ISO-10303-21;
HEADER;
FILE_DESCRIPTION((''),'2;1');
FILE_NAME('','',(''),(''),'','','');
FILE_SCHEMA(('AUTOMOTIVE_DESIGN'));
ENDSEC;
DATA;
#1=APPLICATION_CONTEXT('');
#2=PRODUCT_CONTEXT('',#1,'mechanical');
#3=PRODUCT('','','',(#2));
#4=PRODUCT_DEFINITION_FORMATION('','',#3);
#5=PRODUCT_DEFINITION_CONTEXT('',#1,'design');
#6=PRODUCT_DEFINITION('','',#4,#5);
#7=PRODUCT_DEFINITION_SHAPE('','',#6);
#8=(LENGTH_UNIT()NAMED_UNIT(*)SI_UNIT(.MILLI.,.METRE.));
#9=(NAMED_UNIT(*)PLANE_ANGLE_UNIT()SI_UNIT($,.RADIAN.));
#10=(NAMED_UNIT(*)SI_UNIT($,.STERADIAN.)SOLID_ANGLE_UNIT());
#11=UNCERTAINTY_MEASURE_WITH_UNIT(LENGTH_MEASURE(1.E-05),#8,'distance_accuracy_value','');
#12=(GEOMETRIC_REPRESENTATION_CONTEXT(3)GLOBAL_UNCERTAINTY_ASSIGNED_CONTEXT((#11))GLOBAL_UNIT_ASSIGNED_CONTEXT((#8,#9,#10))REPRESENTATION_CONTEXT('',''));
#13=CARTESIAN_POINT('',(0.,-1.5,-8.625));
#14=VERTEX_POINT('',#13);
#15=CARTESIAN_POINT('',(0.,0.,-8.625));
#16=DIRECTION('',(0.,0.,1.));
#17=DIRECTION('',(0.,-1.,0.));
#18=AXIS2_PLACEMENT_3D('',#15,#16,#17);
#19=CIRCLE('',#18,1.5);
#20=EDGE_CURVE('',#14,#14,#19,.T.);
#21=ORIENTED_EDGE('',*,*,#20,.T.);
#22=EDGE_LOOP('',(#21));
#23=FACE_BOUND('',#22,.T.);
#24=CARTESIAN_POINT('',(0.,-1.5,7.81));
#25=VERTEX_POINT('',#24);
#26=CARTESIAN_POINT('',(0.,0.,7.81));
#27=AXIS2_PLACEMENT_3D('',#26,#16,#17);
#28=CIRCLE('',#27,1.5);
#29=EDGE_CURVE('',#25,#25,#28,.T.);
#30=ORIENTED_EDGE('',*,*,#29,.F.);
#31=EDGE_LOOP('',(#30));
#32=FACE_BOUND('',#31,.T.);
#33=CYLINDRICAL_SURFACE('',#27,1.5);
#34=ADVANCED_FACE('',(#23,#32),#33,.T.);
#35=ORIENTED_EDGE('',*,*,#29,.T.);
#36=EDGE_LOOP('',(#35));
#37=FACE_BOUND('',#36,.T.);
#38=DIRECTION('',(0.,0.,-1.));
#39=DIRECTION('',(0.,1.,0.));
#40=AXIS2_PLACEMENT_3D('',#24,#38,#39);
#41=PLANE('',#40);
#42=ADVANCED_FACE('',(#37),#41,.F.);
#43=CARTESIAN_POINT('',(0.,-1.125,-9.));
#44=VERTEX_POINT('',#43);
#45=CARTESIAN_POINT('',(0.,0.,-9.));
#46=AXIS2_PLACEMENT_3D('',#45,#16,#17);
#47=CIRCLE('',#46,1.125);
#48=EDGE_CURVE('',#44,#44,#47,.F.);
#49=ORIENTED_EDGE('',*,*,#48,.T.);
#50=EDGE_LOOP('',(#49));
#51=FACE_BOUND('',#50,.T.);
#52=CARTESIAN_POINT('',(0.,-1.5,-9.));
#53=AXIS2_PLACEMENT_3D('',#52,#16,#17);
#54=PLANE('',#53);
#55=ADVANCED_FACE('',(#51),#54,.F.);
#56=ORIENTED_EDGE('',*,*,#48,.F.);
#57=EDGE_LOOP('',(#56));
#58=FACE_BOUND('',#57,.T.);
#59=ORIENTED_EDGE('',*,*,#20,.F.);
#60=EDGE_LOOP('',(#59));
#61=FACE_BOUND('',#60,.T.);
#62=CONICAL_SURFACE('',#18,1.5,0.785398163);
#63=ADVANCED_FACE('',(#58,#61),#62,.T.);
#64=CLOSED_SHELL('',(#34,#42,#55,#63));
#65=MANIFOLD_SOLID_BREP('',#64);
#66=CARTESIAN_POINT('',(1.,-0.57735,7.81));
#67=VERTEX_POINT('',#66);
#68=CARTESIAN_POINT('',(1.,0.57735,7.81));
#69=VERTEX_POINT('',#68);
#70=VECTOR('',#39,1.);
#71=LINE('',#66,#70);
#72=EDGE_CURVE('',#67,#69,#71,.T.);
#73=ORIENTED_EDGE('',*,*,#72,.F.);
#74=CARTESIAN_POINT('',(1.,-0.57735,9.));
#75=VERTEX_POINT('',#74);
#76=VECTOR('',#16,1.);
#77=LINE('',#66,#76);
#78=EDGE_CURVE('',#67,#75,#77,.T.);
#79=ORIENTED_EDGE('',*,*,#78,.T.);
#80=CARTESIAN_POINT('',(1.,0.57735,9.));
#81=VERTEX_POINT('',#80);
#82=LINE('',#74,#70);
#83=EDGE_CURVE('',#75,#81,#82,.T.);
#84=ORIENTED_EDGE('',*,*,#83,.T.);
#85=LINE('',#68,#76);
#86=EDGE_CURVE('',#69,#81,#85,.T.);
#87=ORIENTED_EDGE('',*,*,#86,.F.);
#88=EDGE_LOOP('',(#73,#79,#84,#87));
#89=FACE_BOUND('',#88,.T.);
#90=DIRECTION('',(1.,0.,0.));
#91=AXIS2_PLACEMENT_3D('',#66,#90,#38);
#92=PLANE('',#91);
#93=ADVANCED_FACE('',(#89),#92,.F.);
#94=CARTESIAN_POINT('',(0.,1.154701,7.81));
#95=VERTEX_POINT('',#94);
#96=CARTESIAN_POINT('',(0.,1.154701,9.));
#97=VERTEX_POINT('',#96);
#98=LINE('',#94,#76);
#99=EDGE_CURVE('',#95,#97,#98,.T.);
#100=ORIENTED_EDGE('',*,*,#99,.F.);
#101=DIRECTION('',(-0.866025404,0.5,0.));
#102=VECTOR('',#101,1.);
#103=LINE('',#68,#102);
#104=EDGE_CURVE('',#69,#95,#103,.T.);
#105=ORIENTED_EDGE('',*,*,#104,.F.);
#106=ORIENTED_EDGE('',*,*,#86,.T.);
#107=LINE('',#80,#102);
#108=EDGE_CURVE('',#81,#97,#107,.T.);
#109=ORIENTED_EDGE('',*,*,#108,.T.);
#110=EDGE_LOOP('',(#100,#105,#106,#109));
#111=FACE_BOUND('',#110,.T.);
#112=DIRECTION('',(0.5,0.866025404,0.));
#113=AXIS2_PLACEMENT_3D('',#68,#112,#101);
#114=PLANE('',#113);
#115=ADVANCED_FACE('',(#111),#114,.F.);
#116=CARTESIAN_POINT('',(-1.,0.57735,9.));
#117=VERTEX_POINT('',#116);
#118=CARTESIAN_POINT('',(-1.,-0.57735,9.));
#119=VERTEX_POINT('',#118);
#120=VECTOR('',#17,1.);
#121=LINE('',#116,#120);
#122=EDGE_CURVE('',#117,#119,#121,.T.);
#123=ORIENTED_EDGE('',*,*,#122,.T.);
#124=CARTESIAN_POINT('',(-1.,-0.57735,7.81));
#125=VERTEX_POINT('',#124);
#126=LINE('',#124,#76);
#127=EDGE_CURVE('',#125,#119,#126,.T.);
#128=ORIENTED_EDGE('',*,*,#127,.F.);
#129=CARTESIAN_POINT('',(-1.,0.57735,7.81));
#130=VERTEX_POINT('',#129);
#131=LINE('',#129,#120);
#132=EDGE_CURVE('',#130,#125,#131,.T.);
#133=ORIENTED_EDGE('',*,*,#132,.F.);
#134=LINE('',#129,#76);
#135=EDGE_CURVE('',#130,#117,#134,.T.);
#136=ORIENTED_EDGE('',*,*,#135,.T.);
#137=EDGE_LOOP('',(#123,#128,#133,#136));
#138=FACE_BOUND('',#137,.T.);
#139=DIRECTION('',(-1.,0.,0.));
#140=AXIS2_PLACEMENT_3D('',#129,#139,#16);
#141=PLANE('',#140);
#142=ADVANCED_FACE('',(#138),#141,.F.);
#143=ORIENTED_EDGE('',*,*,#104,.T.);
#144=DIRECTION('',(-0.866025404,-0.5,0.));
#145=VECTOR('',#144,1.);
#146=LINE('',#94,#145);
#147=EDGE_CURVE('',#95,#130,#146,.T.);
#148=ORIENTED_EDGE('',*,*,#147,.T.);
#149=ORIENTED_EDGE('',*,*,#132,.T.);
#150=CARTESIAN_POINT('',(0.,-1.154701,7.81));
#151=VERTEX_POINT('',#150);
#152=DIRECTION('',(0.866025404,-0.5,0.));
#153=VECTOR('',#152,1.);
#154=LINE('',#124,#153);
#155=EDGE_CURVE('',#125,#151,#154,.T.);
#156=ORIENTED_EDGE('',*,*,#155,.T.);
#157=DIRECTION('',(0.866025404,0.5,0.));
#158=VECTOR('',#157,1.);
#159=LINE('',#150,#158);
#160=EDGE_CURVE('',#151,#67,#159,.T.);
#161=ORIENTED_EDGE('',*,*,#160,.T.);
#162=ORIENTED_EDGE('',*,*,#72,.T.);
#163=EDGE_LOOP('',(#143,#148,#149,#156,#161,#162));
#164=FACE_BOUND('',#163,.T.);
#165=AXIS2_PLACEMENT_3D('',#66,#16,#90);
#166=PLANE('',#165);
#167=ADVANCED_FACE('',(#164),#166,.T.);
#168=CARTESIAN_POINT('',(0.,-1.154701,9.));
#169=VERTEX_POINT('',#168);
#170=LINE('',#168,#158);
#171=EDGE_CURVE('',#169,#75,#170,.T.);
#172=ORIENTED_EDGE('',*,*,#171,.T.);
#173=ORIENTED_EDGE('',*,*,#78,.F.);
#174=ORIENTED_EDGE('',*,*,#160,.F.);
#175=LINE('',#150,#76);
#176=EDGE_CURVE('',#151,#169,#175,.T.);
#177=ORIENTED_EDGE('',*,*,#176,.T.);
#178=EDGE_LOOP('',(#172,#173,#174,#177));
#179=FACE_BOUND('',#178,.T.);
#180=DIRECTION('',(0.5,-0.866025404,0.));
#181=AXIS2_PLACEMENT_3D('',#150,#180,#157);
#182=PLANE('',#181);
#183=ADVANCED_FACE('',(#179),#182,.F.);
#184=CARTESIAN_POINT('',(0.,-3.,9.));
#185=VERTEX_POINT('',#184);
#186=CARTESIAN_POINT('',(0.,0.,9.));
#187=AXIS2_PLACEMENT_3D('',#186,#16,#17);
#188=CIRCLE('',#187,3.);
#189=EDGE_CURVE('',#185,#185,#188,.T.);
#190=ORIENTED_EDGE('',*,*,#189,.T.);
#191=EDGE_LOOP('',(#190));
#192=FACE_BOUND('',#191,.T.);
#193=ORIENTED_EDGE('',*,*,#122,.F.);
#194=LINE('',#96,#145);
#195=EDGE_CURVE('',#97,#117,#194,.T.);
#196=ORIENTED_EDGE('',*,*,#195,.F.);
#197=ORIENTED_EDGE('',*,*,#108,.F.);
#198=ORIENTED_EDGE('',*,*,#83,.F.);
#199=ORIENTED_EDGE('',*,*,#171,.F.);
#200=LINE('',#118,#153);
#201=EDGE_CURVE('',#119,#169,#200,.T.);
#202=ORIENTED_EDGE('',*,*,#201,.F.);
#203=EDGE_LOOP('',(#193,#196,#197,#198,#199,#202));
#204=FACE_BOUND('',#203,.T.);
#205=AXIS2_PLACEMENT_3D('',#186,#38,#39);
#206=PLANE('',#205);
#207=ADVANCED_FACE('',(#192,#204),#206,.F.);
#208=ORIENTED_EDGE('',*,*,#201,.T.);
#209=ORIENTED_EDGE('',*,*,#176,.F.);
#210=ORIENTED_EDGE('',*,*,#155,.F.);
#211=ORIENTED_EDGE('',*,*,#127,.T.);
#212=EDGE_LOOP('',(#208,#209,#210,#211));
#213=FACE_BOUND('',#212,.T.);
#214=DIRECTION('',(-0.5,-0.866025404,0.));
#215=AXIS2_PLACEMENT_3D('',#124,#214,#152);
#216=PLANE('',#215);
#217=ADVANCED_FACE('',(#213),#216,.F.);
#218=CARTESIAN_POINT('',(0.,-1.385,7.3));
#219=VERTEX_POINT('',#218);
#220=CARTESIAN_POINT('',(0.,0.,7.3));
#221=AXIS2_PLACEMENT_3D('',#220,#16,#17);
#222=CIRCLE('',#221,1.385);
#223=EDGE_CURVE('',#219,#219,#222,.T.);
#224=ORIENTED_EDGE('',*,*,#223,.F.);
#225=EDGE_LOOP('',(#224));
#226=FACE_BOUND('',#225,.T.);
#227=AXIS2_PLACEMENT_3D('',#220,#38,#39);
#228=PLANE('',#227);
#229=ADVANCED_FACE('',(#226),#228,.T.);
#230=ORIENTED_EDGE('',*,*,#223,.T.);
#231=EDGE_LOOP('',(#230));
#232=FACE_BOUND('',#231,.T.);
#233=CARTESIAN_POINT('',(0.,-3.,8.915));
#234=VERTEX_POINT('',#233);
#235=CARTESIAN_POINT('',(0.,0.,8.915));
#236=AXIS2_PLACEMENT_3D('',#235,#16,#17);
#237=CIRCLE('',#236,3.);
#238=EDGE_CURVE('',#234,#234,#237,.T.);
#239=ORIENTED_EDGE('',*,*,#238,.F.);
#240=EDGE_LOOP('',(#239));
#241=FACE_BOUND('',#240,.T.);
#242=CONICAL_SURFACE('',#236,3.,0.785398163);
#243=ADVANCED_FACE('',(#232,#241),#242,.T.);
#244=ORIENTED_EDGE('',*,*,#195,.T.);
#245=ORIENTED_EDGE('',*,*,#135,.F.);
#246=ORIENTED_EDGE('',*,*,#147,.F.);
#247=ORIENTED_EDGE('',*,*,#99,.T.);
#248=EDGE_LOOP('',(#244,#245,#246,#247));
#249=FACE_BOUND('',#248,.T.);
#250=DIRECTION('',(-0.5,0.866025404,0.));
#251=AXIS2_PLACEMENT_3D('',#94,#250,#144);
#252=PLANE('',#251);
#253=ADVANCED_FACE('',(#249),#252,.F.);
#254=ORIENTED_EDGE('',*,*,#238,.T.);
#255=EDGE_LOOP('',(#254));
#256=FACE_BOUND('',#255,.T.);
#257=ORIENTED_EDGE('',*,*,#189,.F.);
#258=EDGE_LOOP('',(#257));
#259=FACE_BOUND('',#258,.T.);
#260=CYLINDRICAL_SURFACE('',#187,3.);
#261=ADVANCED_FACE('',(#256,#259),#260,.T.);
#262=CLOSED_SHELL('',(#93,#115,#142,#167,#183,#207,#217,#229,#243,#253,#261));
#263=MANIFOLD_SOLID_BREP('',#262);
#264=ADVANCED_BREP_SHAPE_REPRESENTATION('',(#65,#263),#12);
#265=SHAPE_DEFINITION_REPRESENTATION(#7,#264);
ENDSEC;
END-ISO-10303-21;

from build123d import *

# Parameters (mm, degrees)
CHAMFER1_SIZE      = 0.375
CUT_EXTRUDE2_DEPTH = 1.19


with BuildPart() as part:
    # Sketch1 → Revolve1 (revolve)
    with BuildSketch(Plane(origin=(0, 0, 0), x_dir=(0, 0, -1), z_dir=(1, 0, 0))):
        Polygon((-7.3, 1.5), (9, 1.5), (9, 0), (-7.81, 0), (-7.81, 1.5), align=None)
    revolve(axis=Axis((0, 0, 7.81), (0, 0, -1)))

    # Chamfer1
    chamfer1_edges = [part.edges().sort_by_distance(p)[0] for p in [
        (0, -1.5, -9),
    ]]
    chamfer(chamfer1_edges, length=CHAMFER1_SIZE)


with BuildPart() as body_2:
    # Sketch7 → Revolve2 (revolve)
    with BuildSketch(Plane(origin=(0, 0, 0), x_dir=(0, 0, -1), z_dir=(1, 0, 0))):
        Polygon((-8.915, 3), (-9, 3), (-9, 0), (-7.3, 0), (-7.3, 1.385), align=None)
    revolve(axis=Axis((0, 0, 9), (0, 0, -1)))

    # Sketch5 → Cut-Extrude2 (cut)
    with BuildSketch(Plane.XY.offset(9)):
        Polygon((1, -0.577350269), (1, 0.577350269), (0, 1.154700538), (-1, 0.577350269), (-1, -0.577350269), (0, -1.154700538), align=None)
    extrude(amount=-CUT_EXTRUDE2_DEPTH, mode=Mode.SUBTRACT)


solid = Compound([part.part, body_2.part])
